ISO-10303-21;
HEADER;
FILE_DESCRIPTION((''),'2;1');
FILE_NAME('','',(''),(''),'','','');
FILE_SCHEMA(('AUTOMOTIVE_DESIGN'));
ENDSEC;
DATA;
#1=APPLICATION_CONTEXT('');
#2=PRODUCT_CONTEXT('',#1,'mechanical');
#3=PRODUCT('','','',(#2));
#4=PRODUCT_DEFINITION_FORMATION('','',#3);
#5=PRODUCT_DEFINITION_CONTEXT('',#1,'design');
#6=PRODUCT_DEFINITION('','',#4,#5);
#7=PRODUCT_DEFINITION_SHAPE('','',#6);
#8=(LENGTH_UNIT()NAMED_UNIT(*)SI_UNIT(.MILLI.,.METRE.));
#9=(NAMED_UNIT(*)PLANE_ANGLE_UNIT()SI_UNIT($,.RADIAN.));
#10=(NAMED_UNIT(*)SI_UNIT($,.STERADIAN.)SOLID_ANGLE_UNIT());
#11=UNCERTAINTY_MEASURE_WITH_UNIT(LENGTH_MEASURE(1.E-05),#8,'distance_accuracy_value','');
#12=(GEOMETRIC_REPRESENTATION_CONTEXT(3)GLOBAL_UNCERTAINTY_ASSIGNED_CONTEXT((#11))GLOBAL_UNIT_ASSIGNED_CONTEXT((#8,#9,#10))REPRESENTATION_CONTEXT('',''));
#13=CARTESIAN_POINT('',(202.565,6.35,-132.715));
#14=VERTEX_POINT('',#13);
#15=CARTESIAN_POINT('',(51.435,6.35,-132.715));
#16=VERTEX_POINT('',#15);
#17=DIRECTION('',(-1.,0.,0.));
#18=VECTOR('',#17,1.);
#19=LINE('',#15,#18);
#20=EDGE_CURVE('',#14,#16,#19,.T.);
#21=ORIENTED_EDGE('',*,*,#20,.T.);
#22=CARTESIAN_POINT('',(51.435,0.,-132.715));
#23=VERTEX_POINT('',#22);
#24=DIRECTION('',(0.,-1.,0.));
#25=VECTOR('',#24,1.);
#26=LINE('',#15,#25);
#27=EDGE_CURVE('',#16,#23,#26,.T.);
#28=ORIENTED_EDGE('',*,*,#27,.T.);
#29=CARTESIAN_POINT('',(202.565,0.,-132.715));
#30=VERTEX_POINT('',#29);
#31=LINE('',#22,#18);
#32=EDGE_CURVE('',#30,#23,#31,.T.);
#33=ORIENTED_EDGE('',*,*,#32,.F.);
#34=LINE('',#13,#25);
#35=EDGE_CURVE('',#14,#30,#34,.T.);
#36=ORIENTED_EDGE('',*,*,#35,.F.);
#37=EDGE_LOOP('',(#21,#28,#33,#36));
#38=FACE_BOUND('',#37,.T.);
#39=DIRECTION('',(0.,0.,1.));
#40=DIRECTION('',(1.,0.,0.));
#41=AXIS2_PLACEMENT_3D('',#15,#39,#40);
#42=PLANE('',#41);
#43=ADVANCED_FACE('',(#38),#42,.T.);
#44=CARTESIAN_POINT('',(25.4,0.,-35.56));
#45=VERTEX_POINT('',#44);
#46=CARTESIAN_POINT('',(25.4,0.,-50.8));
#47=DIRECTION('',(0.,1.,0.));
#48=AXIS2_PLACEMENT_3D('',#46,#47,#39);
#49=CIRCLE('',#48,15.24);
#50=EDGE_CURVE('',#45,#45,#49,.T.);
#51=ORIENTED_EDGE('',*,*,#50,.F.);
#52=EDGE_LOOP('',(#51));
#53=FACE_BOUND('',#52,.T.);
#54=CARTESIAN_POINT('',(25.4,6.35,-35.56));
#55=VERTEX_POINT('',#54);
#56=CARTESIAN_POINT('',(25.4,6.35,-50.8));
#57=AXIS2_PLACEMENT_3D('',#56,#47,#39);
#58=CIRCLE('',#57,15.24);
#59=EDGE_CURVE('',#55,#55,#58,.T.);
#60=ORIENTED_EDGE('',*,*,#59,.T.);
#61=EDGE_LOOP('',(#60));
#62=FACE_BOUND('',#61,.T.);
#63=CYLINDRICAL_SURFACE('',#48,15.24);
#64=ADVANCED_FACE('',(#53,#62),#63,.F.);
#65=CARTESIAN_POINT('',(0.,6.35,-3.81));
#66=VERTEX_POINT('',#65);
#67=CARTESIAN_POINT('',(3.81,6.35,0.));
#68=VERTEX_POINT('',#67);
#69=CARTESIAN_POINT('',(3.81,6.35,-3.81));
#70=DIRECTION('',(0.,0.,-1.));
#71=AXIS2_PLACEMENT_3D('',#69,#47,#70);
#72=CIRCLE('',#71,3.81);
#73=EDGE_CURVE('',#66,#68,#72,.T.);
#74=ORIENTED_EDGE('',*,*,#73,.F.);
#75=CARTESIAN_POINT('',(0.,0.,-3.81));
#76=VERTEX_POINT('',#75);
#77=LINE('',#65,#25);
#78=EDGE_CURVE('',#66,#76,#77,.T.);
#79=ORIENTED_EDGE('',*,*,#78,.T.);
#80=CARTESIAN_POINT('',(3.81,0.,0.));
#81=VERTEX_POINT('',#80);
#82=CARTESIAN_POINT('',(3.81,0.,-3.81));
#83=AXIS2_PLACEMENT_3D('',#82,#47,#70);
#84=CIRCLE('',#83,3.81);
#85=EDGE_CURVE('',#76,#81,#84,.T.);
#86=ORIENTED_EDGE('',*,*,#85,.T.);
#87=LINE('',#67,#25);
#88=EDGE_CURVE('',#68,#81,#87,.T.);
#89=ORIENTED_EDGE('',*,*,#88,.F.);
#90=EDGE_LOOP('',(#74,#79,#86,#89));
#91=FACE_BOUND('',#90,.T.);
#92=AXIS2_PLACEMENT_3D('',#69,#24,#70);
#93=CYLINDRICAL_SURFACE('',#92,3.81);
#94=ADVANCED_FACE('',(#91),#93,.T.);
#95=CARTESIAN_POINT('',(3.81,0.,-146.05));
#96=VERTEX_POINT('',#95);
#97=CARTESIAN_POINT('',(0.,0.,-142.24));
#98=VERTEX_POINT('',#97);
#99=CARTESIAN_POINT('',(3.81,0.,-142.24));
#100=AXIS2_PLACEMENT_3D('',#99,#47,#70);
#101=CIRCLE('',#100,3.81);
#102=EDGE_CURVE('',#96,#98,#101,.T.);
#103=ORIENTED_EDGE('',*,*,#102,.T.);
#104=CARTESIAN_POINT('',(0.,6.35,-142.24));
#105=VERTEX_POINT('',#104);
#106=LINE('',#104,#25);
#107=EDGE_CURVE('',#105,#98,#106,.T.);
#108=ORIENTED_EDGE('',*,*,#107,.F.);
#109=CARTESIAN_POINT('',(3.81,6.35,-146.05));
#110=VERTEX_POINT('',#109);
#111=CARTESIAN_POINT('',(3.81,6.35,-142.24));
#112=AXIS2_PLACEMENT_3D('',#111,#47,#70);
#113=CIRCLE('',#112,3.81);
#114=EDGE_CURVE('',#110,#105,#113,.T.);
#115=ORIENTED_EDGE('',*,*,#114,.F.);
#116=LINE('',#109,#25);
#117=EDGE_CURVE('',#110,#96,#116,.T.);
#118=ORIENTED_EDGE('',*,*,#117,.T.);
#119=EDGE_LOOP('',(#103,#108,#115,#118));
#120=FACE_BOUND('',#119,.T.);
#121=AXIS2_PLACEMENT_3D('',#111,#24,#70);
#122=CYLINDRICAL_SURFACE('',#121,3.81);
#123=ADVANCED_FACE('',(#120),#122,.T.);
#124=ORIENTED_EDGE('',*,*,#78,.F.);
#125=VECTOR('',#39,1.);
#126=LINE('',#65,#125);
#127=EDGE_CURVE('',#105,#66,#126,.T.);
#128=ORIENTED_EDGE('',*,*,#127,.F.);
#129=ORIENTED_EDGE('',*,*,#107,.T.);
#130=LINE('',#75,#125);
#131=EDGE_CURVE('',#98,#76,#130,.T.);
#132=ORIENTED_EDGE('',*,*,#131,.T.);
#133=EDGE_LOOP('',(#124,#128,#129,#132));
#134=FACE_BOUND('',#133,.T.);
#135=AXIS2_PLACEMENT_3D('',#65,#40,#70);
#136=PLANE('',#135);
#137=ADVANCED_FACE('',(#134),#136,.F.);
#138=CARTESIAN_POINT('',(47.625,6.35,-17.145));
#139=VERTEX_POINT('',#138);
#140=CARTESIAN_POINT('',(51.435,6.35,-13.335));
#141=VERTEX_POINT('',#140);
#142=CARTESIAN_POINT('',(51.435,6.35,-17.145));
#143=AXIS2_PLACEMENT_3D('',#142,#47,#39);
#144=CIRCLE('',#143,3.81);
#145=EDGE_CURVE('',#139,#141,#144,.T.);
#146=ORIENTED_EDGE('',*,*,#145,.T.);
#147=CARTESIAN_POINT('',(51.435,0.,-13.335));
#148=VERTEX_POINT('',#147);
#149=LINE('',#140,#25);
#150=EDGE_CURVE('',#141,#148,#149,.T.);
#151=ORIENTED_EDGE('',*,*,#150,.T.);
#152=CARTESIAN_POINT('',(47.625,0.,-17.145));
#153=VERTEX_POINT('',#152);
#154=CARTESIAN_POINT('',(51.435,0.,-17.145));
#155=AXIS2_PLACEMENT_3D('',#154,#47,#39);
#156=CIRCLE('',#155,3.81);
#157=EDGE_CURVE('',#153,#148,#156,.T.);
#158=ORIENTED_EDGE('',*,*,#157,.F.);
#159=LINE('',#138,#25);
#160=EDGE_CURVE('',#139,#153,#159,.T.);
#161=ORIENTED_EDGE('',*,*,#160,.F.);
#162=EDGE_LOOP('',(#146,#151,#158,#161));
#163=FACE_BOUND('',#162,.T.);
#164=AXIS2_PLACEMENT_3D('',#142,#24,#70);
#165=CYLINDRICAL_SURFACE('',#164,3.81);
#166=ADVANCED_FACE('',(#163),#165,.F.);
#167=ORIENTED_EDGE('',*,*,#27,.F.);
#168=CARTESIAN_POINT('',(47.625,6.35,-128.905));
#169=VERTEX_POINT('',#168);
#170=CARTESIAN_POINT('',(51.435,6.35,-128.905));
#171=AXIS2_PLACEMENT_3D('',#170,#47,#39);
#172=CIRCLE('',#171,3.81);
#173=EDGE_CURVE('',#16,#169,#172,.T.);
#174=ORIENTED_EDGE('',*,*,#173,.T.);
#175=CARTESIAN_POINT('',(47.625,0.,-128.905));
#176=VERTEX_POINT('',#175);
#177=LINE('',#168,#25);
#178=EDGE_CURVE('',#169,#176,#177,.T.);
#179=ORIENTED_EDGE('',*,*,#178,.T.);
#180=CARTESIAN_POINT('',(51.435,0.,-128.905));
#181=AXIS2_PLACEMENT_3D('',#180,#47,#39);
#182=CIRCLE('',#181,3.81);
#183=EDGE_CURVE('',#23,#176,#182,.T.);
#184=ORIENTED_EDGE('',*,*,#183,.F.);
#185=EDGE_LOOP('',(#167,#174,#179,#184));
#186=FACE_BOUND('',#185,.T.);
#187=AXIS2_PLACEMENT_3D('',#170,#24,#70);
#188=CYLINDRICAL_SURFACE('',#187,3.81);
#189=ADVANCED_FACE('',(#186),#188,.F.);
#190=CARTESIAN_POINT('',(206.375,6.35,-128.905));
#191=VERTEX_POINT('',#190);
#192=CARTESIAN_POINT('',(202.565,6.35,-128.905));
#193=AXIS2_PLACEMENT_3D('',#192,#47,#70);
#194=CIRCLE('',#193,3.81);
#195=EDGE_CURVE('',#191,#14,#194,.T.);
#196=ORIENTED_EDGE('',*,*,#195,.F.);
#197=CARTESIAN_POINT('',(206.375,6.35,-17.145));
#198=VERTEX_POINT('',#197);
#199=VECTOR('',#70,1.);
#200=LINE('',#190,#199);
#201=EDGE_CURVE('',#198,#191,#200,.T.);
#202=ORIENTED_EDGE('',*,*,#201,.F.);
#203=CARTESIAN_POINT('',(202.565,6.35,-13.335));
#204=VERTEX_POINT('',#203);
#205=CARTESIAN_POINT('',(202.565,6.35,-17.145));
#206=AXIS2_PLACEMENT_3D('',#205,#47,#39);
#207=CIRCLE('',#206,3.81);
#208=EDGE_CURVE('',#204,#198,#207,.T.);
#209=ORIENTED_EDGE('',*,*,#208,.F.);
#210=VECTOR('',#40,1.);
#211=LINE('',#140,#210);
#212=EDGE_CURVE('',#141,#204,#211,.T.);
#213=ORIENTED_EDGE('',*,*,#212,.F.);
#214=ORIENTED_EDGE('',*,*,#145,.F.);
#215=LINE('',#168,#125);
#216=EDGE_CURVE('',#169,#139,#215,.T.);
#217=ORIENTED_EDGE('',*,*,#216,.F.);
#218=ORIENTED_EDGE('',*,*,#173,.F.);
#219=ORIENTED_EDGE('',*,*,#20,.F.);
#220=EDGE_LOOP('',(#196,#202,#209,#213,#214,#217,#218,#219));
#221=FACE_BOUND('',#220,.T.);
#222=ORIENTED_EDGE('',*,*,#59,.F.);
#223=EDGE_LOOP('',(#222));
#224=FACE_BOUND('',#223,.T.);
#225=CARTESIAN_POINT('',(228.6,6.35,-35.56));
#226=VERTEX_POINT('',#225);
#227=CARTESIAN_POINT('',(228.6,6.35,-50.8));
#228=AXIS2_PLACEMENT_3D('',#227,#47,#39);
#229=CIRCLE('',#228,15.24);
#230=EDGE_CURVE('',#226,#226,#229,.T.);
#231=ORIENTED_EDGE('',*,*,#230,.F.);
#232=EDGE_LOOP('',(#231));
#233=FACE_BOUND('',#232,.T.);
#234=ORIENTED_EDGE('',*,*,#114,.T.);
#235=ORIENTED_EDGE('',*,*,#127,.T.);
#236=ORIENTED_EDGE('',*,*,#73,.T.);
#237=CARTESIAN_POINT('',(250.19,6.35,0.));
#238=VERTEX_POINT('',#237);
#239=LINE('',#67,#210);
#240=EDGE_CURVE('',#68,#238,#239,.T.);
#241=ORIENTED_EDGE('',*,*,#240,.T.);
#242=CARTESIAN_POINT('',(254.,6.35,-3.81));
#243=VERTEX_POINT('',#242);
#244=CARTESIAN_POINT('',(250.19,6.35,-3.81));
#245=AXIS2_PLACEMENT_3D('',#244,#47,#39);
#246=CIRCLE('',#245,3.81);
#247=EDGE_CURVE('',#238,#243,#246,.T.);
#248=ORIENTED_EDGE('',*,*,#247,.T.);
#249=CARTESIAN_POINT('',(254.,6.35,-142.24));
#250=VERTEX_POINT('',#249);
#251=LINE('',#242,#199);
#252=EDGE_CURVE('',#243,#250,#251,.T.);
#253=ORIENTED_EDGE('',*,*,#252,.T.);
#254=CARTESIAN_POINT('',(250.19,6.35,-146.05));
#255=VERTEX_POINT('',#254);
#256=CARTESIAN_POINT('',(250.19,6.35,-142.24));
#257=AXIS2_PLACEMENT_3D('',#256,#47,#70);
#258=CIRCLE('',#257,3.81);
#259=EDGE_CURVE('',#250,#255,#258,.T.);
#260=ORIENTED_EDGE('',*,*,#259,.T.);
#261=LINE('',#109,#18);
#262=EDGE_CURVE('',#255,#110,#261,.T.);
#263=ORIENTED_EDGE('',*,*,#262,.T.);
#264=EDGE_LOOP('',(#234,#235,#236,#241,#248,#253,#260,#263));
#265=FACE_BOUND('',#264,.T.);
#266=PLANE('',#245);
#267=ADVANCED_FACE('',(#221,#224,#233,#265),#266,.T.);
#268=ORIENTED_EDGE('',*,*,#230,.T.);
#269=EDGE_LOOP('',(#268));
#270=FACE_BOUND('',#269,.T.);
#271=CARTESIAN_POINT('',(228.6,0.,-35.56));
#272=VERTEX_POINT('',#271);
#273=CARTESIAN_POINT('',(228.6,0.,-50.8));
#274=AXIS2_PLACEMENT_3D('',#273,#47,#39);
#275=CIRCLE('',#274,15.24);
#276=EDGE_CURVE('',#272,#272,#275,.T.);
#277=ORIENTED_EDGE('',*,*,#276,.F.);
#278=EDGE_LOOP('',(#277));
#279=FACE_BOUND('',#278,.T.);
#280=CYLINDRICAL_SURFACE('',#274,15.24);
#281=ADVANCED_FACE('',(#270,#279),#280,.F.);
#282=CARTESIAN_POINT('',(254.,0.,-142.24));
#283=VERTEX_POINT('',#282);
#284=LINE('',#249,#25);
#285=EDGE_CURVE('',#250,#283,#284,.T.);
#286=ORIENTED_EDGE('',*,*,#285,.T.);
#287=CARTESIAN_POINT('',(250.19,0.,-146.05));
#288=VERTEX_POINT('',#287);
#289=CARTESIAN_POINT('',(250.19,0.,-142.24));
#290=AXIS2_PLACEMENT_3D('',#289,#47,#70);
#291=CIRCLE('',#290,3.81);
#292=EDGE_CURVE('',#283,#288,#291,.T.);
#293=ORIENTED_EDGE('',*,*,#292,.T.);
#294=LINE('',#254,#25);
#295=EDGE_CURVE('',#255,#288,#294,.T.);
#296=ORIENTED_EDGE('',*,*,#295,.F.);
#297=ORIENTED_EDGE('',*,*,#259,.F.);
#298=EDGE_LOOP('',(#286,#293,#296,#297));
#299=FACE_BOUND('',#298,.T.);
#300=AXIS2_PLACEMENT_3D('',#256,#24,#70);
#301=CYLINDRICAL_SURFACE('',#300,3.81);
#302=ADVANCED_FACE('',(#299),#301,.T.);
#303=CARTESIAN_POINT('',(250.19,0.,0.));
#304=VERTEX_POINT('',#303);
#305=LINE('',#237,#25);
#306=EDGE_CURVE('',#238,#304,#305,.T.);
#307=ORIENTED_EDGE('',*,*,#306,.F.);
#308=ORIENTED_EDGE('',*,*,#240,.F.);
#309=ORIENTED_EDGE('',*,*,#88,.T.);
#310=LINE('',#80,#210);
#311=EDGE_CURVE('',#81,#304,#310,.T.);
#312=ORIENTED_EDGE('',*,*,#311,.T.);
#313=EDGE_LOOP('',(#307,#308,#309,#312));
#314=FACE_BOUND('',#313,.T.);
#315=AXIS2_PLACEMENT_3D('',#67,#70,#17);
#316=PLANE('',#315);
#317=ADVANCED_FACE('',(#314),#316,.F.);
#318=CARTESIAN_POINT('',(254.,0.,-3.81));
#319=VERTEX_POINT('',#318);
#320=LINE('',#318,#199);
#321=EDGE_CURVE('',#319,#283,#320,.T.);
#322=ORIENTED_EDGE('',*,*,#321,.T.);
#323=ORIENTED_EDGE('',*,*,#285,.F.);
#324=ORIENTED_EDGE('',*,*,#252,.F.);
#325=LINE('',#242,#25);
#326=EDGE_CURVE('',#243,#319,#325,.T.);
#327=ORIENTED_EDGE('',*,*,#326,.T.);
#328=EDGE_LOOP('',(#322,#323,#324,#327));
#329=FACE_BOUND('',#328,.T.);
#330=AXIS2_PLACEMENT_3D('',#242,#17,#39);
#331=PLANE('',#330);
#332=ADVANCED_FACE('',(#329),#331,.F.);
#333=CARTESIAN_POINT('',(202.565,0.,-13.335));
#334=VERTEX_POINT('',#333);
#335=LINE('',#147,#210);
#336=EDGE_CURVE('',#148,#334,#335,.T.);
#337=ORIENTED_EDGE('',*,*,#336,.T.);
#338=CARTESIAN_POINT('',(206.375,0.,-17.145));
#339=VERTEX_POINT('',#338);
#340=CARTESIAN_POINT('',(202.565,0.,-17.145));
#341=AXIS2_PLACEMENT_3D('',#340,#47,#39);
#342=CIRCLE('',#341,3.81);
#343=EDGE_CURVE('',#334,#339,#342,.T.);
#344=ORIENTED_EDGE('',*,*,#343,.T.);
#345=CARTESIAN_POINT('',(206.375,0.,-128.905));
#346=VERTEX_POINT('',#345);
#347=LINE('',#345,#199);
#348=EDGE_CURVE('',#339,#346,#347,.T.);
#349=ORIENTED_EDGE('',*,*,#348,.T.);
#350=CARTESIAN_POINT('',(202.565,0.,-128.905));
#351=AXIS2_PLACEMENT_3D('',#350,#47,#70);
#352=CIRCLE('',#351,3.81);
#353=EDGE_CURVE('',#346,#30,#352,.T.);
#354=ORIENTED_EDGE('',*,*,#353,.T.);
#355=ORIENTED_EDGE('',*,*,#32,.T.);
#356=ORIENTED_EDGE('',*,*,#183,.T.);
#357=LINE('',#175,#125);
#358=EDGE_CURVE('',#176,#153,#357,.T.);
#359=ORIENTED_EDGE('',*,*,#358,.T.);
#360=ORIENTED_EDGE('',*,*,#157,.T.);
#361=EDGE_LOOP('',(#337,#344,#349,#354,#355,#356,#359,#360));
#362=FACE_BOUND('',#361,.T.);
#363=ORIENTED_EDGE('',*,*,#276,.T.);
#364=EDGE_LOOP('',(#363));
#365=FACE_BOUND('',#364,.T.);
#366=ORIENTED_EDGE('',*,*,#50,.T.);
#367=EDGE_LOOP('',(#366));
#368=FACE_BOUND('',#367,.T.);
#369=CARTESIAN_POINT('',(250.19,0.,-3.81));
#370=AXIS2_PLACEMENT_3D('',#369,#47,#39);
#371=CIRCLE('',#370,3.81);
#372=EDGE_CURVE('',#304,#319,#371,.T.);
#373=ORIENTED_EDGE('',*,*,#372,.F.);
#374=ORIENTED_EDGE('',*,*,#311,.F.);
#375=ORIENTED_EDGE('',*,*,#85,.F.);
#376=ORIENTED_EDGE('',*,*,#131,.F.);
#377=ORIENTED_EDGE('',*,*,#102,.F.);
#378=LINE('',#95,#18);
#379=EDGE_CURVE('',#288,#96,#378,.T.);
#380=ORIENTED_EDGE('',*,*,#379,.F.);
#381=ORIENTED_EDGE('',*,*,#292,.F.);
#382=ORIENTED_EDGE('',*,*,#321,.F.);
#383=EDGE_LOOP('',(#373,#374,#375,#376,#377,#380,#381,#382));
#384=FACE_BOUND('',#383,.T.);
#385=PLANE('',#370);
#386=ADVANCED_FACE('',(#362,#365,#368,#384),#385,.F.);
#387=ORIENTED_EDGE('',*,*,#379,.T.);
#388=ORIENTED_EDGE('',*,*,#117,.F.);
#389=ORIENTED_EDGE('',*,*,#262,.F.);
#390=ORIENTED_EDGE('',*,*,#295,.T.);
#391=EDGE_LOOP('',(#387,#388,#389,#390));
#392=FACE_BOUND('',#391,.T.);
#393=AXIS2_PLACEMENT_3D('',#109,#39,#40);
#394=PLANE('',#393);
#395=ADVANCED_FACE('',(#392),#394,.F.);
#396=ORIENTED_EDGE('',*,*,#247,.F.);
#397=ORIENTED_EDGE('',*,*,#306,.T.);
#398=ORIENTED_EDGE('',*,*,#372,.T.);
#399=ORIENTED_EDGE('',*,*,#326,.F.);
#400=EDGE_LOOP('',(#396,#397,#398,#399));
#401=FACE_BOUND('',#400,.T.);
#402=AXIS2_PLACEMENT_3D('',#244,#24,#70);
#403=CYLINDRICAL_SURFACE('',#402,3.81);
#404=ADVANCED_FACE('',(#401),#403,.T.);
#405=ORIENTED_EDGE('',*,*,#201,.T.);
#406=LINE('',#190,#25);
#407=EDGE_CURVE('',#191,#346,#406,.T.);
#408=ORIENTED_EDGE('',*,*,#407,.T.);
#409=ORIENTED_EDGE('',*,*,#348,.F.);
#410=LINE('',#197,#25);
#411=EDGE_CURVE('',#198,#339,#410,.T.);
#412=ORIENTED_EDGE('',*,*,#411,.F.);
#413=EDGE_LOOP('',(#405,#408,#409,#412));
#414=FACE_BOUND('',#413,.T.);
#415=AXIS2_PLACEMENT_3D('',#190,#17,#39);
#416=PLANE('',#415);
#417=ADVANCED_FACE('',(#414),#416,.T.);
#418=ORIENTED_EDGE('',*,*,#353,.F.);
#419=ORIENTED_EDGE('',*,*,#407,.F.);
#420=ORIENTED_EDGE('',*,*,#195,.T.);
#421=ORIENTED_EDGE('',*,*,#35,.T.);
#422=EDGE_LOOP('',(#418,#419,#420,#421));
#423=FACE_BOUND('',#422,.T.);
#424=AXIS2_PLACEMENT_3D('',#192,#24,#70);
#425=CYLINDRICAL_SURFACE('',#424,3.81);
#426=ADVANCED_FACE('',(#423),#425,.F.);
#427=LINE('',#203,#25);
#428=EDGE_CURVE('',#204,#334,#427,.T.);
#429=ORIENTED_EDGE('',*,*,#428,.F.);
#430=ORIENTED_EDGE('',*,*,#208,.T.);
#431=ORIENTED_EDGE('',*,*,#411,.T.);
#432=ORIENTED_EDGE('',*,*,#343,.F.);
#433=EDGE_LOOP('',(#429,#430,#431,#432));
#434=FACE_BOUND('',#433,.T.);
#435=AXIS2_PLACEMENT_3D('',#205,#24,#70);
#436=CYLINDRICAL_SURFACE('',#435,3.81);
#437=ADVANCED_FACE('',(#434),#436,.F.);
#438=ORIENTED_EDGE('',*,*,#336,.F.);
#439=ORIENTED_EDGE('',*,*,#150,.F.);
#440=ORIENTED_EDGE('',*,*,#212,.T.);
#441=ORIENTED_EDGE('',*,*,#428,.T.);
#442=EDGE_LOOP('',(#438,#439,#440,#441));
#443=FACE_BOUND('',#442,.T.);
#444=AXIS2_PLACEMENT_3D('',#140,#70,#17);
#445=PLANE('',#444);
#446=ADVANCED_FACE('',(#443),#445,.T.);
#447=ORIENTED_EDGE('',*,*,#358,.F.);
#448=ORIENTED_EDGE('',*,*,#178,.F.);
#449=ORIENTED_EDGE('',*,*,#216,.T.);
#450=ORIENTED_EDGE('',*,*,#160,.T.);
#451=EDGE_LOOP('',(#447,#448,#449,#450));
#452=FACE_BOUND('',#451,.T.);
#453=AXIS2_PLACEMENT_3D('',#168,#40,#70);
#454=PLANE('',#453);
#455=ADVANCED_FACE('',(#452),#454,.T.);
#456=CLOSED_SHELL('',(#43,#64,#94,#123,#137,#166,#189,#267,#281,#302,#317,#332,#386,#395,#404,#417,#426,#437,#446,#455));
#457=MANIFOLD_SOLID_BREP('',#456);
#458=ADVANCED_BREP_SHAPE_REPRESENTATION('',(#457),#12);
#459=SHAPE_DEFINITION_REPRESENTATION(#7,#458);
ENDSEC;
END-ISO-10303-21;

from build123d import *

# Parameters (mm, degrees)
BOSS_EXTRUDE1_DEPTH = 6.35
SKETCH2_R           = 15.24
CUT_EXTRUDE1_DEPTH  = 294.064711284


with BuildPart() as part:
    # Sketch1 → Boss-Extrude1 (new body)
    with BuildSketch(Plane(origin=(0, 0, 0), x_dir=(1, 0, 0), z_dir=(0, 1, 0))):
        with BuildLine():
            Line((3.81, 0), (250.19, 0))
            ThreePointArc((250.19, 0), (252.884076836, 1.115923164), (254, 3.81))
            Line((254, 3.81), (254, 142.24))
            ThreePointArc((254, 142.24), (252.884076836, 144.934076836), (250.19, 146.05))
            Line((250.19, 146.05), (3.81, 146.05))
            ThreePointArc((3.81, 146.05), (1.115923164, 144.934076836), (0, 142.24))
            Line((0, 142.24), (0, 3.81))
            ThreePointArc((0, 3.81), (1.115923164, 1.115923164), (3.81, 0))
        make_face()
        with BuildLine():
            Line((51.435, 132.715), (202.565, 132.715))
            ThreePointArc((202.565, 132.715), (205.259076836, 131.599076836), (206.375, 128.905))
            Line((206.375, 128.905), (206.375, 17.145))
            ThreePointArc((206.375, 17.145), (205.259076836, 14.450923164), (202.565, 13.335))
            Line((202.565, 13.335), (51.435, 13.335))
            ThreePointArc((51.435, 13.335), (48.740923164, 14.450923164), (47.625, 17.145))
            Line((47.625, 17.145), (47.625, 128.905))
            ThreePointArc((47.625, 128.905), (48.740923164, 131.599076836), (51.435, 132.715))
        make_face(mode=Mode.SUBTRACT)
    extrude(amount=BOSS_EXTRUDE1_DEPTH)

    # Sketch2 → Cut-Extrude1 (cut, through all)
    with BuildSketch(Plane(origin=(0, 6.35, 0), x_dir=(1, 0, 0), z_dir=(0, 1, 0))):
        with Locations(Location((25.4, 50.8, 0), (0, 0, 270))):
            Circle(SKETCH2_R)
        with Locations(Location((228.6, 50.8, 0), (0, 0, 270))):
            Circle(SKETCH2_R)
    extrude(amount=-CUT_EXTRUDE1_DEPTH, mode=Mode.SUBTRACT)


solid = part.part
